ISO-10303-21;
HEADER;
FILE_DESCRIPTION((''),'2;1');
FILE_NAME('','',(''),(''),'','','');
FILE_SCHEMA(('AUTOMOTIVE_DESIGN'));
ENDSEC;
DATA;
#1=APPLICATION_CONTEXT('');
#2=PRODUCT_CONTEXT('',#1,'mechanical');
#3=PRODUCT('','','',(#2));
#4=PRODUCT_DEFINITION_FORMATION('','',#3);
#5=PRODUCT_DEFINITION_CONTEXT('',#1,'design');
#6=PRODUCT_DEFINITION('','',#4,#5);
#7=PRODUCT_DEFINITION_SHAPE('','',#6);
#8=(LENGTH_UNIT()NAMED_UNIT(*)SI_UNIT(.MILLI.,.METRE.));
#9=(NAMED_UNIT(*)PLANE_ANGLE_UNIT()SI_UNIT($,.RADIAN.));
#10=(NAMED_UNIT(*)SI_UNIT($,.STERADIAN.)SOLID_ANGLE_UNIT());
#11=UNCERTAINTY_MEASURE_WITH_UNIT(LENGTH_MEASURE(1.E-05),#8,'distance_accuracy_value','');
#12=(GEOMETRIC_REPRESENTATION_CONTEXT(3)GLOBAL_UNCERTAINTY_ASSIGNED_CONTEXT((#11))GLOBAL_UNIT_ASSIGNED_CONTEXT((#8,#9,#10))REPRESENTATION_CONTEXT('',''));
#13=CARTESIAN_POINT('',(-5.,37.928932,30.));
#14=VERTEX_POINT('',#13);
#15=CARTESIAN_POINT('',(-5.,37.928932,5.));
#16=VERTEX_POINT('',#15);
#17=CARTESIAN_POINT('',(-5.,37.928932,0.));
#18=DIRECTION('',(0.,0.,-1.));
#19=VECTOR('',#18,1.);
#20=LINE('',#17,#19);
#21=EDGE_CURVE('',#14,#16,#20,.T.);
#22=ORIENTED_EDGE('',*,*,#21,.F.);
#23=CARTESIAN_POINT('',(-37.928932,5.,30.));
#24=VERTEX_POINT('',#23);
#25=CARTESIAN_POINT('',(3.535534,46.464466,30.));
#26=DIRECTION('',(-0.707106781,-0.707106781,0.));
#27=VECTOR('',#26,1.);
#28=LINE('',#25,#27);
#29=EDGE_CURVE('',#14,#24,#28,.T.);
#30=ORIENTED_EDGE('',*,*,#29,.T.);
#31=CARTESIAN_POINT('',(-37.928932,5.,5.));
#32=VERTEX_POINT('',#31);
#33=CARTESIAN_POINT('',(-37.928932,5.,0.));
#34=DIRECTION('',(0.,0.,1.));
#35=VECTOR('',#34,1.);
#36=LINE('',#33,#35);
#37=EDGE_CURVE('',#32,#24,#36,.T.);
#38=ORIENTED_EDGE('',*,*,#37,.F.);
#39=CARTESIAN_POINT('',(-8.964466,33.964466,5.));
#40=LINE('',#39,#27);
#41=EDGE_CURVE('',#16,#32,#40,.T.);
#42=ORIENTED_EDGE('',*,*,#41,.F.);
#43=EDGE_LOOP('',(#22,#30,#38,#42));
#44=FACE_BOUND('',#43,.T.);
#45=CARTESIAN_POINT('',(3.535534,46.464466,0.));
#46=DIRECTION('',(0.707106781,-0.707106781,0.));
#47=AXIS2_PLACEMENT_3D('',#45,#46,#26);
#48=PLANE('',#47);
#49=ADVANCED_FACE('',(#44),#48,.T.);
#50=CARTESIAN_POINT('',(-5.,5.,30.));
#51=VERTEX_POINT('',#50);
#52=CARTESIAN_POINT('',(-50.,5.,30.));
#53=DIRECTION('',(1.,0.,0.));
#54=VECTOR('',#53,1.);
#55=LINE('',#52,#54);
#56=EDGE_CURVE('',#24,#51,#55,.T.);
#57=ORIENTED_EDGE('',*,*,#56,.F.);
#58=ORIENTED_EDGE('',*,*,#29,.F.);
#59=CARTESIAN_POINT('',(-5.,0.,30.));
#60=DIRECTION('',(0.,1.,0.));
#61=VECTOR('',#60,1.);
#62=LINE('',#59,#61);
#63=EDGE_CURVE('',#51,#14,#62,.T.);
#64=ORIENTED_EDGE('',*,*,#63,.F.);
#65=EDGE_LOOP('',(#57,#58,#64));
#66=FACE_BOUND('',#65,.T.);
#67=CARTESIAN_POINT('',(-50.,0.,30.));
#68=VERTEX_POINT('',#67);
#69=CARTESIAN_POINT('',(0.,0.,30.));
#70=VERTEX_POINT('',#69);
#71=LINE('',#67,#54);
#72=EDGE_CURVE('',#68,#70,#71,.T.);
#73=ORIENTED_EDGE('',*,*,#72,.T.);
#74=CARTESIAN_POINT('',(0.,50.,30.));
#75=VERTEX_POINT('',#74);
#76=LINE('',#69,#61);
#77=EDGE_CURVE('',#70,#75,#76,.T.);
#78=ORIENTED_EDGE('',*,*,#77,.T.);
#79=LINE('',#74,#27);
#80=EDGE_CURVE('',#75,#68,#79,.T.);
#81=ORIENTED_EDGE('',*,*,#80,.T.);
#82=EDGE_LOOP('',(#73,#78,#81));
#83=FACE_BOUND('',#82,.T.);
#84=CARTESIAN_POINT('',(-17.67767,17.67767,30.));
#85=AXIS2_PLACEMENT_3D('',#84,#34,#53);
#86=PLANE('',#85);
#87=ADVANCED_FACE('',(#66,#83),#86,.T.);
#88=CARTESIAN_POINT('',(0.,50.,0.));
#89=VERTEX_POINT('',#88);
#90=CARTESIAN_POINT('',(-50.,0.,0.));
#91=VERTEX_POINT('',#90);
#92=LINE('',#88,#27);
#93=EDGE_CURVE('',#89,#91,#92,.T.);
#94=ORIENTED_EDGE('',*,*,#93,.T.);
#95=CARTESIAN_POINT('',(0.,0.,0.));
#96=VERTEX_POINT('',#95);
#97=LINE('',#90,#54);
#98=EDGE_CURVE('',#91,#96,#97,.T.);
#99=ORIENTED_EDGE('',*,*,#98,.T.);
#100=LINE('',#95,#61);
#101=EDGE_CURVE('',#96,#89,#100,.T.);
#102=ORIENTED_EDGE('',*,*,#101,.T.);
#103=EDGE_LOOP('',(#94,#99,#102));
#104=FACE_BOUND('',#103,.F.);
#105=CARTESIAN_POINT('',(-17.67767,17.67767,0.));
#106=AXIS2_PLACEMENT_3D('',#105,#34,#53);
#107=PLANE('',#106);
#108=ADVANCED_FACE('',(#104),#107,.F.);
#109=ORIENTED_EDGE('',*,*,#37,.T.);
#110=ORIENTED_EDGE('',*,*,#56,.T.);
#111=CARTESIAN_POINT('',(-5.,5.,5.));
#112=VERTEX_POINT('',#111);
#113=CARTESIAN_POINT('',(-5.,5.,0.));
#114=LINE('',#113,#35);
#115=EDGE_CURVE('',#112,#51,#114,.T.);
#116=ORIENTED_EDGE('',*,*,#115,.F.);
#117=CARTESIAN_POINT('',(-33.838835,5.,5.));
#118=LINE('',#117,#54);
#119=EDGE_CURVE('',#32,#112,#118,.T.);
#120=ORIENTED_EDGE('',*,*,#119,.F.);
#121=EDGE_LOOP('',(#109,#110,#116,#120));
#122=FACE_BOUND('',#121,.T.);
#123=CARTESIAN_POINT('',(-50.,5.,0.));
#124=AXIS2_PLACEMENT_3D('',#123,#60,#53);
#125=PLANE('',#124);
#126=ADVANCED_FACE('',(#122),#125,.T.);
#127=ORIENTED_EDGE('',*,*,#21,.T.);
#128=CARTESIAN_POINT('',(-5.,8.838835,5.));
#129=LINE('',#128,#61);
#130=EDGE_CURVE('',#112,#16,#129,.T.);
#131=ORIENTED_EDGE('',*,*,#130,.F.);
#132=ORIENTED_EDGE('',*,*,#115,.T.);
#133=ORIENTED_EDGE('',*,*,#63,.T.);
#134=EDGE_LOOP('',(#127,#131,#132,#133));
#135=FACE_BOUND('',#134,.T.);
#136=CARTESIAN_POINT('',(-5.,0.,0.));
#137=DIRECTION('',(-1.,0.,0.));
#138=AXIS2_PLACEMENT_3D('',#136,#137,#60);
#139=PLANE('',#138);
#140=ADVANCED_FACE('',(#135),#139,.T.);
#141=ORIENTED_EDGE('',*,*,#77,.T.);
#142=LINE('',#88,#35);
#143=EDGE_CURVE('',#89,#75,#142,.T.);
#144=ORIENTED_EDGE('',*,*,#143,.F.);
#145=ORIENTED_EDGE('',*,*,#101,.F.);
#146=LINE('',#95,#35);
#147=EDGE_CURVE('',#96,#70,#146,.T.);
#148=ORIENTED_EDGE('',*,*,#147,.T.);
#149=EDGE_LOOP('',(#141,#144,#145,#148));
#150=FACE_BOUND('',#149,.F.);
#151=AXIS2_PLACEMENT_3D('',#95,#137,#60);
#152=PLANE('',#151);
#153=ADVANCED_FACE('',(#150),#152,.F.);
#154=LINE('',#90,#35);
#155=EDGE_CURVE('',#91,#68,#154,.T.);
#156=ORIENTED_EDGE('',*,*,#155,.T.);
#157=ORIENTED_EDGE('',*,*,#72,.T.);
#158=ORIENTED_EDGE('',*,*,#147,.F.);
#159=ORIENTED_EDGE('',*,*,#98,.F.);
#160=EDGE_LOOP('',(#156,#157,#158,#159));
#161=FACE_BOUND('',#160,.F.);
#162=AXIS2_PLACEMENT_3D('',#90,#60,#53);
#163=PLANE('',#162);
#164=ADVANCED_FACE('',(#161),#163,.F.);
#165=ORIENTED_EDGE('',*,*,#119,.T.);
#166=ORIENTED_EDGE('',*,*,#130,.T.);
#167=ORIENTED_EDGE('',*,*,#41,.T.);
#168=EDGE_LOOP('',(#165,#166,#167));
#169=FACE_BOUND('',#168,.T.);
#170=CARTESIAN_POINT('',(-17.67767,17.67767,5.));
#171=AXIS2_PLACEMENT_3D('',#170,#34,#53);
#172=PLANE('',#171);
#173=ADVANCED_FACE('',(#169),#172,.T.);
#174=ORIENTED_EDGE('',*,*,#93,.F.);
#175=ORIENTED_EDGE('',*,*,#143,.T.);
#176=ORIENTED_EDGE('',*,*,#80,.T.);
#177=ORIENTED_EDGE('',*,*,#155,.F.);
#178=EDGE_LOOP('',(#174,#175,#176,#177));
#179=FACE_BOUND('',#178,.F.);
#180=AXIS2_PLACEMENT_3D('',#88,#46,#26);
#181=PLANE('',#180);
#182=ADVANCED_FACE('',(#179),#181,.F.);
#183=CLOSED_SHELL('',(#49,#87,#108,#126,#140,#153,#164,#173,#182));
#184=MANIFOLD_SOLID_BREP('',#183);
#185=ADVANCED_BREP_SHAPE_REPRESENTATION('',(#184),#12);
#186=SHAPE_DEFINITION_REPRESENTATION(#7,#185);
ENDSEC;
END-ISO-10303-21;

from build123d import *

# Parameters (mm, degrees)
F1_DEPTH = 30
F2_T     = -5


with BuildPart() as f1:
    # F0 (on Top) → F1 (new body)
    with BuildSketch(Plane.XY):
        Polygon((0, 50), (-50, 0), (0, 0), align=None)
    extrude(amount=F1_DEPTH)

    # F2
    f2_openings = [f1.faces().sort_by_distance(p)[0] for p in [
        (-16.666667, 16.666667, 30),
    ]]
    offset(amount=F2_T, openings=f2_openings)


solid = f1.part
